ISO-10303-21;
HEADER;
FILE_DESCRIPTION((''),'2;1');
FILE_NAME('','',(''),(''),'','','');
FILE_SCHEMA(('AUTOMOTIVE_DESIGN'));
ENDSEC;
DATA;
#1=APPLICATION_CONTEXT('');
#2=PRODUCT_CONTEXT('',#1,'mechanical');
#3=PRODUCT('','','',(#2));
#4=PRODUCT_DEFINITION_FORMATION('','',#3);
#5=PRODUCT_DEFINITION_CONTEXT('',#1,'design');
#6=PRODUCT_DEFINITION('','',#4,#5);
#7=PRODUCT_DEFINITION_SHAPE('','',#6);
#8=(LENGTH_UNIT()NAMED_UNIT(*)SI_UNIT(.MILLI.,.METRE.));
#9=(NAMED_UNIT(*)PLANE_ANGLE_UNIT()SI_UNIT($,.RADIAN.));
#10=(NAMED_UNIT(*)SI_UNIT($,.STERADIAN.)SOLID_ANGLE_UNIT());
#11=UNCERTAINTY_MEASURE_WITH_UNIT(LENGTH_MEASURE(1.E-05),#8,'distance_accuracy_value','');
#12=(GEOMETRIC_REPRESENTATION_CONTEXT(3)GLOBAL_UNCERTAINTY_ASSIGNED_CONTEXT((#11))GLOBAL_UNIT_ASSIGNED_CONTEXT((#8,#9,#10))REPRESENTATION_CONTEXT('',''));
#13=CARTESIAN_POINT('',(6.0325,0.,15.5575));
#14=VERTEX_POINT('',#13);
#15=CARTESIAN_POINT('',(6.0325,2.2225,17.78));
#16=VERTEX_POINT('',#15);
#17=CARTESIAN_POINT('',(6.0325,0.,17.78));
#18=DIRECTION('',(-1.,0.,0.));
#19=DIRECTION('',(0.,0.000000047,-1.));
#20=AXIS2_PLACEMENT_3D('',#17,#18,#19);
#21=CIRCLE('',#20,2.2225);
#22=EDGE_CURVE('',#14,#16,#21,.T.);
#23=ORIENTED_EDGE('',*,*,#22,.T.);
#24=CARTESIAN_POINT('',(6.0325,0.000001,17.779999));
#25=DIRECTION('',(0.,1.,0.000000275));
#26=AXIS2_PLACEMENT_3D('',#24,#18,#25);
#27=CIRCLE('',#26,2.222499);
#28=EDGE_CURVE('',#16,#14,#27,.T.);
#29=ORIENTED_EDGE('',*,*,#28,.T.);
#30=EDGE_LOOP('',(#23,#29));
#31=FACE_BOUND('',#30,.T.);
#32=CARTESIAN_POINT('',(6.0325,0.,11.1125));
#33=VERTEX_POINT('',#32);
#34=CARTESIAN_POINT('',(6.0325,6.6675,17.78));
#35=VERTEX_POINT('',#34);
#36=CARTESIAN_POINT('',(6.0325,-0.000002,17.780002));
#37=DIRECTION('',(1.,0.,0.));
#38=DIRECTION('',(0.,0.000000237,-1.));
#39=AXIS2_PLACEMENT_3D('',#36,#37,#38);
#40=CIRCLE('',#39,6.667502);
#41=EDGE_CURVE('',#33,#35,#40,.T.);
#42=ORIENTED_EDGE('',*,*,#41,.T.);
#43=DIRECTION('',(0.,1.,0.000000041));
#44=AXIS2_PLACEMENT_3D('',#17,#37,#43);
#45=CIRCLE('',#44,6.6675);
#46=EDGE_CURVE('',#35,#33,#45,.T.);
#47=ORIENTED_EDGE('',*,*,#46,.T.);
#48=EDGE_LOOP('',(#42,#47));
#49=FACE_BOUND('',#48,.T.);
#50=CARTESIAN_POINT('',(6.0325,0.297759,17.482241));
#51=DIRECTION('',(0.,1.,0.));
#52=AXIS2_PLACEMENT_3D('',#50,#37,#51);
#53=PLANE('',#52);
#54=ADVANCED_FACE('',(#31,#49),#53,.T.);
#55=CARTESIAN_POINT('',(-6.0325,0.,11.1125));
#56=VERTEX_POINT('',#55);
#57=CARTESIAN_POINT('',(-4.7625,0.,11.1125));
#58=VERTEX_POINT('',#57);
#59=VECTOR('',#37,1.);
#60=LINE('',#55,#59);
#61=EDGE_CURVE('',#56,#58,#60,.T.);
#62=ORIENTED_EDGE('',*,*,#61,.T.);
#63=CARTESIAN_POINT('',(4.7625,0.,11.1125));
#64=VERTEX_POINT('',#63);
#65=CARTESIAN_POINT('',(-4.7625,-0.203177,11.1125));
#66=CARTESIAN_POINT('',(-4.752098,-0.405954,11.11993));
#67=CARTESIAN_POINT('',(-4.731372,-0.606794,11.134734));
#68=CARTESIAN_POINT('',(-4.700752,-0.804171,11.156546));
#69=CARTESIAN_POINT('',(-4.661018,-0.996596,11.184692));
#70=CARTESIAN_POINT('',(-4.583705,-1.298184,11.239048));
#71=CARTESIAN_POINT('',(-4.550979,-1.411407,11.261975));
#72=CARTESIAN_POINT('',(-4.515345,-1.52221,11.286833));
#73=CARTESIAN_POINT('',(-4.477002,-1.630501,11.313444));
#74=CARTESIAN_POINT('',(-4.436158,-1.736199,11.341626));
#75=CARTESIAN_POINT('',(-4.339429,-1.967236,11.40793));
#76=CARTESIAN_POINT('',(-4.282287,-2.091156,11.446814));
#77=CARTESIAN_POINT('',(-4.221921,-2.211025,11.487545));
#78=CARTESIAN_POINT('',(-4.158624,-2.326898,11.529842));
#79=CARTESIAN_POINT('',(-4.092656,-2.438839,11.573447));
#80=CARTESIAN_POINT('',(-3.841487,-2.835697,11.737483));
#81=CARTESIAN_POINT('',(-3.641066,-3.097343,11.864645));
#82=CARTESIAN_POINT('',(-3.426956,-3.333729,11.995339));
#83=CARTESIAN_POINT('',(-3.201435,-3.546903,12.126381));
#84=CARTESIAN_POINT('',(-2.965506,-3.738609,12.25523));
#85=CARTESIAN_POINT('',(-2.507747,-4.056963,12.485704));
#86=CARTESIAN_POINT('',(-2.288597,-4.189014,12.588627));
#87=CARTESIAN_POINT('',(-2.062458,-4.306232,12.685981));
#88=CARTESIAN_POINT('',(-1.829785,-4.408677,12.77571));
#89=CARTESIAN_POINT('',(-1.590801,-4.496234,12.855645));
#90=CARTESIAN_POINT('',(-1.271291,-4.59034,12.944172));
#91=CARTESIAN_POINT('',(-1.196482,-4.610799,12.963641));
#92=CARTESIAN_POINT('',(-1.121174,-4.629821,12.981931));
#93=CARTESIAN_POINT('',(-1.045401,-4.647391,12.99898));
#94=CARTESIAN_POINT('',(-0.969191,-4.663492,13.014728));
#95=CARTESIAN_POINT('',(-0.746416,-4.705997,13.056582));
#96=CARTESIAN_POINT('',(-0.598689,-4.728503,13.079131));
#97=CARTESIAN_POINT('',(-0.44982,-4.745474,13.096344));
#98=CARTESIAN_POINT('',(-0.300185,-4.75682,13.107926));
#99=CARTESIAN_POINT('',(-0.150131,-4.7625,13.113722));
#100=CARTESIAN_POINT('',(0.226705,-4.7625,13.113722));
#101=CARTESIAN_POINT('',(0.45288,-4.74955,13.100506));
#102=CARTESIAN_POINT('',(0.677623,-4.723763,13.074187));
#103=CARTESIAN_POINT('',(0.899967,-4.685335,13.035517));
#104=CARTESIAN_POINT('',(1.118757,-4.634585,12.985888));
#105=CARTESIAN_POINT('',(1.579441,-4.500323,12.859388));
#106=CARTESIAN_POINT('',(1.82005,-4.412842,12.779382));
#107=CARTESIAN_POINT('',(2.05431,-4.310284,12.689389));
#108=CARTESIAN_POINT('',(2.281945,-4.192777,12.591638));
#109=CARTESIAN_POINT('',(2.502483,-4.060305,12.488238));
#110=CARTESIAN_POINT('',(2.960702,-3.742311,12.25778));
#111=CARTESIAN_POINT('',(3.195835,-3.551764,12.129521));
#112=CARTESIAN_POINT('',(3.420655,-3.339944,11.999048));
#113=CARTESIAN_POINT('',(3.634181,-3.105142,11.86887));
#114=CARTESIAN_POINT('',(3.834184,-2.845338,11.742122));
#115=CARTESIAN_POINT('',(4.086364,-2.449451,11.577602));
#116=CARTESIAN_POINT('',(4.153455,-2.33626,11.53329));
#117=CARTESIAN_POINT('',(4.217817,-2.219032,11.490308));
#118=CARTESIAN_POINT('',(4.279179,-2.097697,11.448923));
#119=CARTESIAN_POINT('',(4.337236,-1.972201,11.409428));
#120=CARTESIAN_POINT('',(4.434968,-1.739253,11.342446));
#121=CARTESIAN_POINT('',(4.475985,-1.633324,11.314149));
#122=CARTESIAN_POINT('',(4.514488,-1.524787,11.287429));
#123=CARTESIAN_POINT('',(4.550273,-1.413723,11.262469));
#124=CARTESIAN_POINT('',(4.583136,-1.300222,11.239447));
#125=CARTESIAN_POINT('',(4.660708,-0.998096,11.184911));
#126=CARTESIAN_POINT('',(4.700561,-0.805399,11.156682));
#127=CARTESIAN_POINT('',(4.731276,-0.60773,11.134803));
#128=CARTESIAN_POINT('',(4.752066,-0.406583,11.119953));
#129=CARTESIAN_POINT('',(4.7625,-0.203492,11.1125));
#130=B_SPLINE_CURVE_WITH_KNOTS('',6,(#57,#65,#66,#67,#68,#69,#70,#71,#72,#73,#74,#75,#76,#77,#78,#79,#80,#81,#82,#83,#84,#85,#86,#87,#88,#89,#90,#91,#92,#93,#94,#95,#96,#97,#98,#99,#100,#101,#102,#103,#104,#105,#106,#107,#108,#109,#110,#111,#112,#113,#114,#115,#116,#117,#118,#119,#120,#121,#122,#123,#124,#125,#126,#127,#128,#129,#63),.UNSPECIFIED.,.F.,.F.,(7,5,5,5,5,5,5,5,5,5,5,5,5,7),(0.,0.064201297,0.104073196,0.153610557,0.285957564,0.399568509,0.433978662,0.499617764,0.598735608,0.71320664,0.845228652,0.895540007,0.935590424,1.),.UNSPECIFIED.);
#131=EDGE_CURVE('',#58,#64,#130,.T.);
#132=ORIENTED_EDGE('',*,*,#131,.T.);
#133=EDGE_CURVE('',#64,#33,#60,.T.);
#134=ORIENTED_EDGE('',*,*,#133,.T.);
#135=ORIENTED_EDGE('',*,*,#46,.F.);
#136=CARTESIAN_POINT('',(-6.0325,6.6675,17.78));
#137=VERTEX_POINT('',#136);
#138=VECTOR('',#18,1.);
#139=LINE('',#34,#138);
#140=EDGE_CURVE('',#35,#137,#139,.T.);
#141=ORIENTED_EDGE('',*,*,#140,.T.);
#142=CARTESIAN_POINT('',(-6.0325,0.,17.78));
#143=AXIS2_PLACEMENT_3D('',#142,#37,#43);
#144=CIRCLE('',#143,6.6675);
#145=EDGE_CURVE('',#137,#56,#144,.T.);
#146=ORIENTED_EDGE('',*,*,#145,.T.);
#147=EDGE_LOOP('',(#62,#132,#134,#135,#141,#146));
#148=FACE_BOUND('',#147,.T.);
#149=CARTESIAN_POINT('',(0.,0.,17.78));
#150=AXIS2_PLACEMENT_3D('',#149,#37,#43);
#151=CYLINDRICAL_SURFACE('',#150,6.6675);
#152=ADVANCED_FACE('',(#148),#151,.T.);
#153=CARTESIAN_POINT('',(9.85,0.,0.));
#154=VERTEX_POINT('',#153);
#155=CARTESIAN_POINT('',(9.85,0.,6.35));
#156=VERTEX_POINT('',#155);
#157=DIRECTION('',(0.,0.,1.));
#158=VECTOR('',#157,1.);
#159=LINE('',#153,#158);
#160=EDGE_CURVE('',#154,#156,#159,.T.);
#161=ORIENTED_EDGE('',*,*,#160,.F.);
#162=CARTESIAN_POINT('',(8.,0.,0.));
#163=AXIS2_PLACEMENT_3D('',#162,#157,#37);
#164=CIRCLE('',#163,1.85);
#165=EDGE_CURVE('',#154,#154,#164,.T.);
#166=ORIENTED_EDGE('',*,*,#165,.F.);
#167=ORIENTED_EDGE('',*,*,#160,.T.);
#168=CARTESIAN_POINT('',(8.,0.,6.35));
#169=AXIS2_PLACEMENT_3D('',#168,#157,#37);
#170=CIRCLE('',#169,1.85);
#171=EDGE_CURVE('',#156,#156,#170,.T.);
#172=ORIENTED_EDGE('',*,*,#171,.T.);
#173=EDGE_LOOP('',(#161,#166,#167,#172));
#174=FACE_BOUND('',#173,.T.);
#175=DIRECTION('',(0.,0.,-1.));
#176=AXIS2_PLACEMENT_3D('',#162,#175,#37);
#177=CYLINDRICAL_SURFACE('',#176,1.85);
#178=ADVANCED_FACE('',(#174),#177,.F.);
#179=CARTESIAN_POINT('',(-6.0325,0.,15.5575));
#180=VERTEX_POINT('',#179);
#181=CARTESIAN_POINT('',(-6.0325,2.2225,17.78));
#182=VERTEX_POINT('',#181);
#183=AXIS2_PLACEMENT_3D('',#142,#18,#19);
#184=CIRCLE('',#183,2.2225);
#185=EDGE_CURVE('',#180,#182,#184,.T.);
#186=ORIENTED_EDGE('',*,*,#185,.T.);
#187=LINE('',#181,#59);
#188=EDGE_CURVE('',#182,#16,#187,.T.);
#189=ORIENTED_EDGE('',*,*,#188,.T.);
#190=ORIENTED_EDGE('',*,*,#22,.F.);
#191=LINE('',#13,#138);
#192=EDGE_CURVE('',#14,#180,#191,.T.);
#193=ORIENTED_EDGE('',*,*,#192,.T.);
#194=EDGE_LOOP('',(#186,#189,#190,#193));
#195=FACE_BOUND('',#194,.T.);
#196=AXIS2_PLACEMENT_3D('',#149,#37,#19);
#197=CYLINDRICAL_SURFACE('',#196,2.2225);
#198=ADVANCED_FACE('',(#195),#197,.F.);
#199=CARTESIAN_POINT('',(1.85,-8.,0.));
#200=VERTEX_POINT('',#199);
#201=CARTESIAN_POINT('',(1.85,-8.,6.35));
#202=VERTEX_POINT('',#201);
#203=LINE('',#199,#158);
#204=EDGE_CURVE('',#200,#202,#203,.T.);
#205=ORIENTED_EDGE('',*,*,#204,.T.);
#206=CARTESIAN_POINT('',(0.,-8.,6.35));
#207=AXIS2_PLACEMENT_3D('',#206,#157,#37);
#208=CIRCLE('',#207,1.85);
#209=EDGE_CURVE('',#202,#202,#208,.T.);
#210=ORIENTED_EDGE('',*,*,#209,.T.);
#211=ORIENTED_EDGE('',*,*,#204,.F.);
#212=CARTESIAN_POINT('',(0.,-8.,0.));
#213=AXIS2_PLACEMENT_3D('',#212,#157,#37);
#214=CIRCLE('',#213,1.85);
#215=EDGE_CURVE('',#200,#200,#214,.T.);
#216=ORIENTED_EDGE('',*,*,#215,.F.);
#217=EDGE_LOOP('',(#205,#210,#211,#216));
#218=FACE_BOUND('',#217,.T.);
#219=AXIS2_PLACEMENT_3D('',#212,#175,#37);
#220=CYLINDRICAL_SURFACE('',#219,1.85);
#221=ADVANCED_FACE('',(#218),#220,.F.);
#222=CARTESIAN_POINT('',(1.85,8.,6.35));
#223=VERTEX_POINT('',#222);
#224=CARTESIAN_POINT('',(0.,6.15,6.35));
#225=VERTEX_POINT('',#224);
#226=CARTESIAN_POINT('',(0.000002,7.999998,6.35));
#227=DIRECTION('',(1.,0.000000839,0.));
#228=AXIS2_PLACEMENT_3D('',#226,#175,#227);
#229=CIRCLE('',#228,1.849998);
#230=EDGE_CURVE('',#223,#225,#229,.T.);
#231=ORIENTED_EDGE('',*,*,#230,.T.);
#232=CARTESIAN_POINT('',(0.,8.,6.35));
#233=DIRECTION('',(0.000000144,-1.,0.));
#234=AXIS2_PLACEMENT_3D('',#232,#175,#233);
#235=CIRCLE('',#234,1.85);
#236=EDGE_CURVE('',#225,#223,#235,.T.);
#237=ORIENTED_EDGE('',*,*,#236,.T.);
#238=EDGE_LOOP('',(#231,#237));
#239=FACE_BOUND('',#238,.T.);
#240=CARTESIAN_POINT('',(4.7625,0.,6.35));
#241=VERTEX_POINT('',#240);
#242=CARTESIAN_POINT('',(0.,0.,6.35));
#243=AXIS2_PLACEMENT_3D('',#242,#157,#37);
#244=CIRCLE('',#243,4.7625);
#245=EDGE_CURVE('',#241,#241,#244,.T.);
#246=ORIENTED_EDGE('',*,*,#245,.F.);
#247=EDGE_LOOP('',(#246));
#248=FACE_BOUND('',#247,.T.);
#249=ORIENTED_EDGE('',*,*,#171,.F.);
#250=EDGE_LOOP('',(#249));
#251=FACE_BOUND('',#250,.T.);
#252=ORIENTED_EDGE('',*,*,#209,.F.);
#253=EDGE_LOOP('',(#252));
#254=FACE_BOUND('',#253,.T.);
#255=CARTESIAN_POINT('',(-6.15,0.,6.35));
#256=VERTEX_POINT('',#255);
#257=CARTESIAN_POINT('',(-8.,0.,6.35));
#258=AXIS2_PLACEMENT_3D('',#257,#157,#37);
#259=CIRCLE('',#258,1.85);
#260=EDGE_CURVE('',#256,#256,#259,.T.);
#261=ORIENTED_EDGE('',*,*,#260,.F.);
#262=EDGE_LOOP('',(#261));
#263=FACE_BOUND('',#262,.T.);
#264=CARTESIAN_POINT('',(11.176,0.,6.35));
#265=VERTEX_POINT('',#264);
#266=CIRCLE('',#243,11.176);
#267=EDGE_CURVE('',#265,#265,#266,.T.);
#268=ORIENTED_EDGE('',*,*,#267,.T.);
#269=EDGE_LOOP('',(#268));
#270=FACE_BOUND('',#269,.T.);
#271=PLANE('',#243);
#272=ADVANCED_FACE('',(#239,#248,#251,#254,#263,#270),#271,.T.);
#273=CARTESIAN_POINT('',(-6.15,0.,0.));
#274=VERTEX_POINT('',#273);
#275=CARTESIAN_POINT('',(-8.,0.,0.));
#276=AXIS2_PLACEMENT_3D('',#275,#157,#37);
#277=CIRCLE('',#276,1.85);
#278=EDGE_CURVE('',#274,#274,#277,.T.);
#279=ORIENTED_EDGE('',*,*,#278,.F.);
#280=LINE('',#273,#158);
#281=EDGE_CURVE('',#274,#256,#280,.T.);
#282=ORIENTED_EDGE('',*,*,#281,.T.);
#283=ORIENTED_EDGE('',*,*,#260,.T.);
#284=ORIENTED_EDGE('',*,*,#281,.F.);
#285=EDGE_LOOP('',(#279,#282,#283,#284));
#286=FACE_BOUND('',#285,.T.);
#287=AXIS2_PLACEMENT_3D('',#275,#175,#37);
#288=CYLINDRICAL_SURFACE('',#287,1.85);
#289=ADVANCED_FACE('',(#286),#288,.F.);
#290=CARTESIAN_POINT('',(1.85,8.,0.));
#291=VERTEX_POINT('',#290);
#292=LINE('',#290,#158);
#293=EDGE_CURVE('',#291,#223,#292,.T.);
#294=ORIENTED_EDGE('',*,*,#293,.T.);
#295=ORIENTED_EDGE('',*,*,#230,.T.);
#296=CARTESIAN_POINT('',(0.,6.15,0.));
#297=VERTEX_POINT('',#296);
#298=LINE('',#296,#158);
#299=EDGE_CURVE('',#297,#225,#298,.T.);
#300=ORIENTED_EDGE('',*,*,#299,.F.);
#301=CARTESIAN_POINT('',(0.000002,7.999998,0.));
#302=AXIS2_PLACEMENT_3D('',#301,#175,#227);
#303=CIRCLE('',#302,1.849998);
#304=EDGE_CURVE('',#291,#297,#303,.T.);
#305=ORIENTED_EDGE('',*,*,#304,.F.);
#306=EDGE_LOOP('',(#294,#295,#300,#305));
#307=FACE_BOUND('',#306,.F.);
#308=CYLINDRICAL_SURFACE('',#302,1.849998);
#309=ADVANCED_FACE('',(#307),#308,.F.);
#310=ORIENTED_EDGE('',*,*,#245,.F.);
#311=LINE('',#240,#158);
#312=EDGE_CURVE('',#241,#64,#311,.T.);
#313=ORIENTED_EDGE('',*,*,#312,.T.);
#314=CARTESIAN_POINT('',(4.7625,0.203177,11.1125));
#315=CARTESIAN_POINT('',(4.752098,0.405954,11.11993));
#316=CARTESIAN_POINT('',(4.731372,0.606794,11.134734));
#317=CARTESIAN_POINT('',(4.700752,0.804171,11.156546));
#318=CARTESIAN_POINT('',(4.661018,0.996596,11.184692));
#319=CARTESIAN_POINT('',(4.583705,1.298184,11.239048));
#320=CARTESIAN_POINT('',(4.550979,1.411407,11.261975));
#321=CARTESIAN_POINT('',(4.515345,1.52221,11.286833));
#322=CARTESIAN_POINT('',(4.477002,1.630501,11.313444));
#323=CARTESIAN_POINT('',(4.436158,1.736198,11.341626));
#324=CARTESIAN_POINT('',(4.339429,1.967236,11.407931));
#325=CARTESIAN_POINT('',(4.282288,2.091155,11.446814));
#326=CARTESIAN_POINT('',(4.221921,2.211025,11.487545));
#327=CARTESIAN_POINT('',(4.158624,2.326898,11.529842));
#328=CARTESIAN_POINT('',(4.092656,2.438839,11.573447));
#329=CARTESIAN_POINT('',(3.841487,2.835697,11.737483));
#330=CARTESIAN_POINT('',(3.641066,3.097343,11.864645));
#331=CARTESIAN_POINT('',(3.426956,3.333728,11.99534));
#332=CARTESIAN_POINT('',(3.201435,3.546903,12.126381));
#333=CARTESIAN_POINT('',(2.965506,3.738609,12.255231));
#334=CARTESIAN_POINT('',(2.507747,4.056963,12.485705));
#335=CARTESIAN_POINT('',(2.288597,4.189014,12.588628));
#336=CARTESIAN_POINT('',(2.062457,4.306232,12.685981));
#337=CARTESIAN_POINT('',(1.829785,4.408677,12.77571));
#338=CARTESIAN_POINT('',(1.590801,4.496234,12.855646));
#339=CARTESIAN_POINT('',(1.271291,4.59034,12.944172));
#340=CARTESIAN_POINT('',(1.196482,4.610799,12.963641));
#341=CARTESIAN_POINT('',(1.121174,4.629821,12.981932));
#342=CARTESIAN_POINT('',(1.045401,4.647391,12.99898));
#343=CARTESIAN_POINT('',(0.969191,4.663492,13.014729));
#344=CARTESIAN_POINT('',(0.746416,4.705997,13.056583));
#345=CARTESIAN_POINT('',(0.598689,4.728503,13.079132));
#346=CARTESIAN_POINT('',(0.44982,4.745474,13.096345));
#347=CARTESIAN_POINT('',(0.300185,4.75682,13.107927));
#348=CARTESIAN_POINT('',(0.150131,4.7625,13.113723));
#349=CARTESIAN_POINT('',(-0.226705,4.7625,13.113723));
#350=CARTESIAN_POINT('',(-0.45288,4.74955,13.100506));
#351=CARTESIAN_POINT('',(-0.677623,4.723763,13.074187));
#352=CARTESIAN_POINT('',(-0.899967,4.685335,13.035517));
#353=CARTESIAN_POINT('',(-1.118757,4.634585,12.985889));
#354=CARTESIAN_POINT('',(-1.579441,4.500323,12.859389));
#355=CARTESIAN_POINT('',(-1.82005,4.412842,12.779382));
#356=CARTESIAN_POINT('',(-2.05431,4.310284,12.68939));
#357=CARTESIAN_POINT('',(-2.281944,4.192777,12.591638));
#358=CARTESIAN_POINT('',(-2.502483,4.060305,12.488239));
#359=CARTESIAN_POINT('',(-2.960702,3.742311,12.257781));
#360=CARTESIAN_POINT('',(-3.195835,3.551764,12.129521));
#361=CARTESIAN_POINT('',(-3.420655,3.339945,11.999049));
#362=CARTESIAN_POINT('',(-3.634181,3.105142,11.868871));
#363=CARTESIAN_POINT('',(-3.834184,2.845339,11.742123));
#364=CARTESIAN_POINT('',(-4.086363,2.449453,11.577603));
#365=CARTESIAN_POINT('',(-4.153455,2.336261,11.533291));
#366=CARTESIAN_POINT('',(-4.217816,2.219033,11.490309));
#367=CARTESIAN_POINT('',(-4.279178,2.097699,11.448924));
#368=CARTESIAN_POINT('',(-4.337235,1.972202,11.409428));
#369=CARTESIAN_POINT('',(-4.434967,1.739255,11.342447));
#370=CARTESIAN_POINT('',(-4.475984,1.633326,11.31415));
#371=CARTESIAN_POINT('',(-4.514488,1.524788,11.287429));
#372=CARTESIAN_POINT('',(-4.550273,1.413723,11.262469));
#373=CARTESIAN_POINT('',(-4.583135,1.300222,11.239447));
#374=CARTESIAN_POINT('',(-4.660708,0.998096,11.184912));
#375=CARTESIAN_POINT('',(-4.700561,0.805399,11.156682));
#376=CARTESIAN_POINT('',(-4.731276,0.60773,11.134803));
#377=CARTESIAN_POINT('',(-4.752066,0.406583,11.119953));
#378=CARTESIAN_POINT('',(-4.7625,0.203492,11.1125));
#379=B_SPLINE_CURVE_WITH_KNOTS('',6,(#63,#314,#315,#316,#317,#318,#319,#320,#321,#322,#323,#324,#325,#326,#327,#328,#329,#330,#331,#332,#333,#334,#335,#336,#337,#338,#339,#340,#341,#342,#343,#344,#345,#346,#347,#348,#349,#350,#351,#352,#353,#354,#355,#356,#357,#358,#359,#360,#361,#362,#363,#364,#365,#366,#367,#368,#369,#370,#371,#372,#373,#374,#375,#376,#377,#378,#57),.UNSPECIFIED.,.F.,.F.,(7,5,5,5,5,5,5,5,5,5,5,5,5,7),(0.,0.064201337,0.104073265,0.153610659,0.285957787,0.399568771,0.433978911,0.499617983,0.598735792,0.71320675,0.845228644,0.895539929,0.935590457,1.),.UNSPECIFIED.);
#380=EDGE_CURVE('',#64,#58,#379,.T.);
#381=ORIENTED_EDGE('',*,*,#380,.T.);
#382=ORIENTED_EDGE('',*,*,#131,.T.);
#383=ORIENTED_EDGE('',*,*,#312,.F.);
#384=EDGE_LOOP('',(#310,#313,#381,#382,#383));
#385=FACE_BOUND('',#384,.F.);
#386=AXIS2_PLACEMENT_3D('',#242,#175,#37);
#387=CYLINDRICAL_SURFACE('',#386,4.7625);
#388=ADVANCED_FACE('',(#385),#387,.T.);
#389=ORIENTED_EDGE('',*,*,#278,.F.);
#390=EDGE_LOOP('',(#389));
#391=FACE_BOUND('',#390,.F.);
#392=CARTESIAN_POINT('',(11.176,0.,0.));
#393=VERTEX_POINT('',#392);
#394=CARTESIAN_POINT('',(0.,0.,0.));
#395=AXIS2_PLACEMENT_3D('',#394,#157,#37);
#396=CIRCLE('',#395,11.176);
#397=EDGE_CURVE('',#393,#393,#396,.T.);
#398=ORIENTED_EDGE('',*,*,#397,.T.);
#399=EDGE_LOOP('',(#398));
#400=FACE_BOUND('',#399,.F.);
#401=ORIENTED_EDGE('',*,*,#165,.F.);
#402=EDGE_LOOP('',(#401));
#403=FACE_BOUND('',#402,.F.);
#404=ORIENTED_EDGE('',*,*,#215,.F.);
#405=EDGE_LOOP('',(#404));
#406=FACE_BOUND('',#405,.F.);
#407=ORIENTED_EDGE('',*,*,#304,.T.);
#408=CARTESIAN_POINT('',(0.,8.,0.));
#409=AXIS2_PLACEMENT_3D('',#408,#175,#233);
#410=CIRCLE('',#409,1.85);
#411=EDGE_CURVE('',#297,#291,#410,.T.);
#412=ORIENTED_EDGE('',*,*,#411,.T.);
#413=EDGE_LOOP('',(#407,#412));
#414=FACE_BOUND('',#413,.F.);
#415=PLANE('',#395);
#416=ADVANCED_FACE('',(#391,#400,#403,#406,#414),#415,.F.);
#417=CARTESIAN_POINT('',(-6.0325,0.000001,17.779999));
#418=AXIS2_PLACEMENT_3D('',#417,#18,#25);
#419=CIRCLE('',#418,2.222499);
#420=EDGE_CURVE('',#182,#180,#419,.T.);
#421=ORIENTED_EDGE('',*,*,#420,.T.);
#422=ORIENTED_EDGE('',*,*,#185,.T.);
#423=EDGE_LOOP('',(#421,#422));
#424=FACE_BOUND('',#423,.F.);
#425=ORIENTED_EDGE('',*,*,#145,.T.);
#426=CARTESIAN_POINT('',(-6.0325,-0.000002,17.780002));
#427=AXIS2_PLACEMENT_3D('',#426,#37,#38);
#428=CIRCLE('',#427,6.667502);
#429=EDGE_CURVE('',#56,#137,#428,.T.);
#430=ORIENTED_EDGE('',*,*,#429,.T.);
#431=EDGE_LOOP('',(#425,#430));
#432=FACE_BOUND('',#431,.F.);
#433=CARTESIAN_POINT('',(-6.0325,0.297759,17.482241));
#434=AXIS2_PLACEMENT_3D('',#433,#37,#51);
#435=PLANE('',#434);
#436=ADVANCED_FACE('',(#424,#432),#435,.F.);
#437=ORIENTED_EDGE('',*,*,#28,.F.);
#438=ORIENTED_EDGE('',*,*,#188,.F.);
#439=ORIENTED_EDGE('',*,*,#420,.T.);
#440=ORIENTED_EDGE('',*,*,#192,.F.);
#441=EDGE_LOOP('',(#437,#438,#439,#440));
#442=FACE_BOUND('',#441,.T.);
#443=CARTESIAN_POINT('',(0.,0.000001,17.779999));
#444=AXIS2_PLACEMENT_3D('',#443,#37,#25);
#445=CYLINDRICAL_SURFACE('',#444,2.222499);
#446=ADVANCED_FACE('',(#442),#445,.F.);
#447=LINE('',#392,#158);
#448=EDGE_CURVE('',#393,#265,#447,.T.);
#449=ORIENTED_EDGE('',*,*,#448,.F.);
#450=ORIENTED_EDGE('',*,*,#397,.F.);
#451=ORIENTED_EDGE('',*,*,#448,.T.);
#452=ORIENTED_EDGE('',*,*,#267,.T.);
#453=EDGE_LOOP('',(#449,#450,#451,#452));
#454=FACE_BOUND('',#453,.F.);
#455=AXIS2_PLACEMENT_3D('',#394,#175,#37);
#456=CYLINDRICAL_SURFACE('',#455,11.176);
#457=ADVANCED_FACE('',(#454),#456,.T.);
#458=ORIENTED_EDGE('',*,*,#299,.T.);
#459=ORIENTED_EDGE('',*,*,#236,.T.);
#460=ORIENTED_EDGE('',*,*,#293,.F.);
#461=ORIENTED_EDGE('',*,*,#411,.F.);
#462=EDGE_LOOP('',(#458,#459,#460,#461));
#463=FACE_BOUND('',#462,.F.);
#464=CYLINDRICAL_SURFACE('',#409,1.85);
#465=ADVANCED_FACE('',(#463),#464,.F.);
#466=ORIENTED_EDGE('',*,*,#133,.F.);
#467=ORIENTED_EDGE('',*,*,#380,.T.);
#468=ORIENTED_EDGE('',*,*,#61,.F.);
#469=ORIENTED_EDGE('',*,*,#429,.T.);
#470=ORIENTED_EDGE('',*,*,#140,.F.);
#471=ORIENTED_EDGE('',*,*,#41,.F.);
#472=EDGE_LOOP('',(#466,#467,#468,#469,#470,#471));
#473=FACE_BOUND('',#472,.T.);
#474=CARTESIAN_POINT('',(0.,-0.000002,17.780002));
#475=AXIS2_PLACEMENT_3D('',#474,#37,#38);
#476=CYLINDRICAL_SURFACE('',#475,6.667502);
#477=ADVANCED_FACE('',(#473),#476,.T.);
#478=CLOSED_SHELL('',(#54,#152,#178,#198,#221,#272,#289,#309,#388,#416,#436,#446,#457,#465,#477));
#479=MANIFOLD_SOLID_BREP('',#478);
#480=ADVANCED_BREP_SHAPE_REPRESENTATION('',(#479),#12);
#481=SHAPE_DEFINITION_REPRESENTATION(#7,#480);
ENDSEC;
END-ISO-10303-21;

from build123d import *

# Parameters (mm, degrees)
F0_R     = 11.176
F0_R_2   = 1.85
F1_DEPTH = 6.35
F2_R     = 4.7625
F3_DEPTH = 8.255
F5_DEPTH = 6.0325


with BuildPart() as f1:
    # F0 (on Top) → F1 (new body)
    with BuildSketch(Plane.XY):
        Circle(F0_R)
        with Locations((0, -8)):
            Circle(F0_R_2, mode=Mode.SUBTRACT)
        with Locations((-8, 0)):
            Circle(F0_R_2, mode=Mode.SUBTRACT)
        with Locations((8, 0)):
            Circle(F0_R_2, mode=Mode.SUBTRACT)
        with BuildLine():
            ThreePointArc((0, 6.15), (-1.308148, 9.308148), (1.85, 8))
            ThreePointArc((1.85, 8), (1.308148, 6.691852), (0, 6.15))
        make_face(mode=Mode.SUBTRACT)
    extrude(amount=F1_DEPTH)

    # F2 (on face) → F3 (join)
    with BuildSketch(Plane.XY.offset(6.35)):
        Circle(F2_R)
    extrude(amount=F3_DEPTH)

    # F4 (on Right) → F5 (join, symmetric)
    with BuildSketch(Plane.YZ):
        with BuildLine():
            ThreePointArc((6.6675, 17.78), (-4.714634, 22.494634), (0, 11.1125))
            ThreePointArc((0, 11.1125), (4.714634, 13.065366), (6.6675, 17.78))
        make_face()
        with BuildLine():
            ThreePointArc((2.2225, 17.78), (1.571545, 16.208455), (0, 15.5575))
            ThreePointArc((0, 15.5575), (-1.571545, 19.351545), (2.2225, 17.78))
        make_face(mode=Mode.SUBTRACT)
    extrude(amount=F5_DEPTH, both=True)


solid = f1.part
